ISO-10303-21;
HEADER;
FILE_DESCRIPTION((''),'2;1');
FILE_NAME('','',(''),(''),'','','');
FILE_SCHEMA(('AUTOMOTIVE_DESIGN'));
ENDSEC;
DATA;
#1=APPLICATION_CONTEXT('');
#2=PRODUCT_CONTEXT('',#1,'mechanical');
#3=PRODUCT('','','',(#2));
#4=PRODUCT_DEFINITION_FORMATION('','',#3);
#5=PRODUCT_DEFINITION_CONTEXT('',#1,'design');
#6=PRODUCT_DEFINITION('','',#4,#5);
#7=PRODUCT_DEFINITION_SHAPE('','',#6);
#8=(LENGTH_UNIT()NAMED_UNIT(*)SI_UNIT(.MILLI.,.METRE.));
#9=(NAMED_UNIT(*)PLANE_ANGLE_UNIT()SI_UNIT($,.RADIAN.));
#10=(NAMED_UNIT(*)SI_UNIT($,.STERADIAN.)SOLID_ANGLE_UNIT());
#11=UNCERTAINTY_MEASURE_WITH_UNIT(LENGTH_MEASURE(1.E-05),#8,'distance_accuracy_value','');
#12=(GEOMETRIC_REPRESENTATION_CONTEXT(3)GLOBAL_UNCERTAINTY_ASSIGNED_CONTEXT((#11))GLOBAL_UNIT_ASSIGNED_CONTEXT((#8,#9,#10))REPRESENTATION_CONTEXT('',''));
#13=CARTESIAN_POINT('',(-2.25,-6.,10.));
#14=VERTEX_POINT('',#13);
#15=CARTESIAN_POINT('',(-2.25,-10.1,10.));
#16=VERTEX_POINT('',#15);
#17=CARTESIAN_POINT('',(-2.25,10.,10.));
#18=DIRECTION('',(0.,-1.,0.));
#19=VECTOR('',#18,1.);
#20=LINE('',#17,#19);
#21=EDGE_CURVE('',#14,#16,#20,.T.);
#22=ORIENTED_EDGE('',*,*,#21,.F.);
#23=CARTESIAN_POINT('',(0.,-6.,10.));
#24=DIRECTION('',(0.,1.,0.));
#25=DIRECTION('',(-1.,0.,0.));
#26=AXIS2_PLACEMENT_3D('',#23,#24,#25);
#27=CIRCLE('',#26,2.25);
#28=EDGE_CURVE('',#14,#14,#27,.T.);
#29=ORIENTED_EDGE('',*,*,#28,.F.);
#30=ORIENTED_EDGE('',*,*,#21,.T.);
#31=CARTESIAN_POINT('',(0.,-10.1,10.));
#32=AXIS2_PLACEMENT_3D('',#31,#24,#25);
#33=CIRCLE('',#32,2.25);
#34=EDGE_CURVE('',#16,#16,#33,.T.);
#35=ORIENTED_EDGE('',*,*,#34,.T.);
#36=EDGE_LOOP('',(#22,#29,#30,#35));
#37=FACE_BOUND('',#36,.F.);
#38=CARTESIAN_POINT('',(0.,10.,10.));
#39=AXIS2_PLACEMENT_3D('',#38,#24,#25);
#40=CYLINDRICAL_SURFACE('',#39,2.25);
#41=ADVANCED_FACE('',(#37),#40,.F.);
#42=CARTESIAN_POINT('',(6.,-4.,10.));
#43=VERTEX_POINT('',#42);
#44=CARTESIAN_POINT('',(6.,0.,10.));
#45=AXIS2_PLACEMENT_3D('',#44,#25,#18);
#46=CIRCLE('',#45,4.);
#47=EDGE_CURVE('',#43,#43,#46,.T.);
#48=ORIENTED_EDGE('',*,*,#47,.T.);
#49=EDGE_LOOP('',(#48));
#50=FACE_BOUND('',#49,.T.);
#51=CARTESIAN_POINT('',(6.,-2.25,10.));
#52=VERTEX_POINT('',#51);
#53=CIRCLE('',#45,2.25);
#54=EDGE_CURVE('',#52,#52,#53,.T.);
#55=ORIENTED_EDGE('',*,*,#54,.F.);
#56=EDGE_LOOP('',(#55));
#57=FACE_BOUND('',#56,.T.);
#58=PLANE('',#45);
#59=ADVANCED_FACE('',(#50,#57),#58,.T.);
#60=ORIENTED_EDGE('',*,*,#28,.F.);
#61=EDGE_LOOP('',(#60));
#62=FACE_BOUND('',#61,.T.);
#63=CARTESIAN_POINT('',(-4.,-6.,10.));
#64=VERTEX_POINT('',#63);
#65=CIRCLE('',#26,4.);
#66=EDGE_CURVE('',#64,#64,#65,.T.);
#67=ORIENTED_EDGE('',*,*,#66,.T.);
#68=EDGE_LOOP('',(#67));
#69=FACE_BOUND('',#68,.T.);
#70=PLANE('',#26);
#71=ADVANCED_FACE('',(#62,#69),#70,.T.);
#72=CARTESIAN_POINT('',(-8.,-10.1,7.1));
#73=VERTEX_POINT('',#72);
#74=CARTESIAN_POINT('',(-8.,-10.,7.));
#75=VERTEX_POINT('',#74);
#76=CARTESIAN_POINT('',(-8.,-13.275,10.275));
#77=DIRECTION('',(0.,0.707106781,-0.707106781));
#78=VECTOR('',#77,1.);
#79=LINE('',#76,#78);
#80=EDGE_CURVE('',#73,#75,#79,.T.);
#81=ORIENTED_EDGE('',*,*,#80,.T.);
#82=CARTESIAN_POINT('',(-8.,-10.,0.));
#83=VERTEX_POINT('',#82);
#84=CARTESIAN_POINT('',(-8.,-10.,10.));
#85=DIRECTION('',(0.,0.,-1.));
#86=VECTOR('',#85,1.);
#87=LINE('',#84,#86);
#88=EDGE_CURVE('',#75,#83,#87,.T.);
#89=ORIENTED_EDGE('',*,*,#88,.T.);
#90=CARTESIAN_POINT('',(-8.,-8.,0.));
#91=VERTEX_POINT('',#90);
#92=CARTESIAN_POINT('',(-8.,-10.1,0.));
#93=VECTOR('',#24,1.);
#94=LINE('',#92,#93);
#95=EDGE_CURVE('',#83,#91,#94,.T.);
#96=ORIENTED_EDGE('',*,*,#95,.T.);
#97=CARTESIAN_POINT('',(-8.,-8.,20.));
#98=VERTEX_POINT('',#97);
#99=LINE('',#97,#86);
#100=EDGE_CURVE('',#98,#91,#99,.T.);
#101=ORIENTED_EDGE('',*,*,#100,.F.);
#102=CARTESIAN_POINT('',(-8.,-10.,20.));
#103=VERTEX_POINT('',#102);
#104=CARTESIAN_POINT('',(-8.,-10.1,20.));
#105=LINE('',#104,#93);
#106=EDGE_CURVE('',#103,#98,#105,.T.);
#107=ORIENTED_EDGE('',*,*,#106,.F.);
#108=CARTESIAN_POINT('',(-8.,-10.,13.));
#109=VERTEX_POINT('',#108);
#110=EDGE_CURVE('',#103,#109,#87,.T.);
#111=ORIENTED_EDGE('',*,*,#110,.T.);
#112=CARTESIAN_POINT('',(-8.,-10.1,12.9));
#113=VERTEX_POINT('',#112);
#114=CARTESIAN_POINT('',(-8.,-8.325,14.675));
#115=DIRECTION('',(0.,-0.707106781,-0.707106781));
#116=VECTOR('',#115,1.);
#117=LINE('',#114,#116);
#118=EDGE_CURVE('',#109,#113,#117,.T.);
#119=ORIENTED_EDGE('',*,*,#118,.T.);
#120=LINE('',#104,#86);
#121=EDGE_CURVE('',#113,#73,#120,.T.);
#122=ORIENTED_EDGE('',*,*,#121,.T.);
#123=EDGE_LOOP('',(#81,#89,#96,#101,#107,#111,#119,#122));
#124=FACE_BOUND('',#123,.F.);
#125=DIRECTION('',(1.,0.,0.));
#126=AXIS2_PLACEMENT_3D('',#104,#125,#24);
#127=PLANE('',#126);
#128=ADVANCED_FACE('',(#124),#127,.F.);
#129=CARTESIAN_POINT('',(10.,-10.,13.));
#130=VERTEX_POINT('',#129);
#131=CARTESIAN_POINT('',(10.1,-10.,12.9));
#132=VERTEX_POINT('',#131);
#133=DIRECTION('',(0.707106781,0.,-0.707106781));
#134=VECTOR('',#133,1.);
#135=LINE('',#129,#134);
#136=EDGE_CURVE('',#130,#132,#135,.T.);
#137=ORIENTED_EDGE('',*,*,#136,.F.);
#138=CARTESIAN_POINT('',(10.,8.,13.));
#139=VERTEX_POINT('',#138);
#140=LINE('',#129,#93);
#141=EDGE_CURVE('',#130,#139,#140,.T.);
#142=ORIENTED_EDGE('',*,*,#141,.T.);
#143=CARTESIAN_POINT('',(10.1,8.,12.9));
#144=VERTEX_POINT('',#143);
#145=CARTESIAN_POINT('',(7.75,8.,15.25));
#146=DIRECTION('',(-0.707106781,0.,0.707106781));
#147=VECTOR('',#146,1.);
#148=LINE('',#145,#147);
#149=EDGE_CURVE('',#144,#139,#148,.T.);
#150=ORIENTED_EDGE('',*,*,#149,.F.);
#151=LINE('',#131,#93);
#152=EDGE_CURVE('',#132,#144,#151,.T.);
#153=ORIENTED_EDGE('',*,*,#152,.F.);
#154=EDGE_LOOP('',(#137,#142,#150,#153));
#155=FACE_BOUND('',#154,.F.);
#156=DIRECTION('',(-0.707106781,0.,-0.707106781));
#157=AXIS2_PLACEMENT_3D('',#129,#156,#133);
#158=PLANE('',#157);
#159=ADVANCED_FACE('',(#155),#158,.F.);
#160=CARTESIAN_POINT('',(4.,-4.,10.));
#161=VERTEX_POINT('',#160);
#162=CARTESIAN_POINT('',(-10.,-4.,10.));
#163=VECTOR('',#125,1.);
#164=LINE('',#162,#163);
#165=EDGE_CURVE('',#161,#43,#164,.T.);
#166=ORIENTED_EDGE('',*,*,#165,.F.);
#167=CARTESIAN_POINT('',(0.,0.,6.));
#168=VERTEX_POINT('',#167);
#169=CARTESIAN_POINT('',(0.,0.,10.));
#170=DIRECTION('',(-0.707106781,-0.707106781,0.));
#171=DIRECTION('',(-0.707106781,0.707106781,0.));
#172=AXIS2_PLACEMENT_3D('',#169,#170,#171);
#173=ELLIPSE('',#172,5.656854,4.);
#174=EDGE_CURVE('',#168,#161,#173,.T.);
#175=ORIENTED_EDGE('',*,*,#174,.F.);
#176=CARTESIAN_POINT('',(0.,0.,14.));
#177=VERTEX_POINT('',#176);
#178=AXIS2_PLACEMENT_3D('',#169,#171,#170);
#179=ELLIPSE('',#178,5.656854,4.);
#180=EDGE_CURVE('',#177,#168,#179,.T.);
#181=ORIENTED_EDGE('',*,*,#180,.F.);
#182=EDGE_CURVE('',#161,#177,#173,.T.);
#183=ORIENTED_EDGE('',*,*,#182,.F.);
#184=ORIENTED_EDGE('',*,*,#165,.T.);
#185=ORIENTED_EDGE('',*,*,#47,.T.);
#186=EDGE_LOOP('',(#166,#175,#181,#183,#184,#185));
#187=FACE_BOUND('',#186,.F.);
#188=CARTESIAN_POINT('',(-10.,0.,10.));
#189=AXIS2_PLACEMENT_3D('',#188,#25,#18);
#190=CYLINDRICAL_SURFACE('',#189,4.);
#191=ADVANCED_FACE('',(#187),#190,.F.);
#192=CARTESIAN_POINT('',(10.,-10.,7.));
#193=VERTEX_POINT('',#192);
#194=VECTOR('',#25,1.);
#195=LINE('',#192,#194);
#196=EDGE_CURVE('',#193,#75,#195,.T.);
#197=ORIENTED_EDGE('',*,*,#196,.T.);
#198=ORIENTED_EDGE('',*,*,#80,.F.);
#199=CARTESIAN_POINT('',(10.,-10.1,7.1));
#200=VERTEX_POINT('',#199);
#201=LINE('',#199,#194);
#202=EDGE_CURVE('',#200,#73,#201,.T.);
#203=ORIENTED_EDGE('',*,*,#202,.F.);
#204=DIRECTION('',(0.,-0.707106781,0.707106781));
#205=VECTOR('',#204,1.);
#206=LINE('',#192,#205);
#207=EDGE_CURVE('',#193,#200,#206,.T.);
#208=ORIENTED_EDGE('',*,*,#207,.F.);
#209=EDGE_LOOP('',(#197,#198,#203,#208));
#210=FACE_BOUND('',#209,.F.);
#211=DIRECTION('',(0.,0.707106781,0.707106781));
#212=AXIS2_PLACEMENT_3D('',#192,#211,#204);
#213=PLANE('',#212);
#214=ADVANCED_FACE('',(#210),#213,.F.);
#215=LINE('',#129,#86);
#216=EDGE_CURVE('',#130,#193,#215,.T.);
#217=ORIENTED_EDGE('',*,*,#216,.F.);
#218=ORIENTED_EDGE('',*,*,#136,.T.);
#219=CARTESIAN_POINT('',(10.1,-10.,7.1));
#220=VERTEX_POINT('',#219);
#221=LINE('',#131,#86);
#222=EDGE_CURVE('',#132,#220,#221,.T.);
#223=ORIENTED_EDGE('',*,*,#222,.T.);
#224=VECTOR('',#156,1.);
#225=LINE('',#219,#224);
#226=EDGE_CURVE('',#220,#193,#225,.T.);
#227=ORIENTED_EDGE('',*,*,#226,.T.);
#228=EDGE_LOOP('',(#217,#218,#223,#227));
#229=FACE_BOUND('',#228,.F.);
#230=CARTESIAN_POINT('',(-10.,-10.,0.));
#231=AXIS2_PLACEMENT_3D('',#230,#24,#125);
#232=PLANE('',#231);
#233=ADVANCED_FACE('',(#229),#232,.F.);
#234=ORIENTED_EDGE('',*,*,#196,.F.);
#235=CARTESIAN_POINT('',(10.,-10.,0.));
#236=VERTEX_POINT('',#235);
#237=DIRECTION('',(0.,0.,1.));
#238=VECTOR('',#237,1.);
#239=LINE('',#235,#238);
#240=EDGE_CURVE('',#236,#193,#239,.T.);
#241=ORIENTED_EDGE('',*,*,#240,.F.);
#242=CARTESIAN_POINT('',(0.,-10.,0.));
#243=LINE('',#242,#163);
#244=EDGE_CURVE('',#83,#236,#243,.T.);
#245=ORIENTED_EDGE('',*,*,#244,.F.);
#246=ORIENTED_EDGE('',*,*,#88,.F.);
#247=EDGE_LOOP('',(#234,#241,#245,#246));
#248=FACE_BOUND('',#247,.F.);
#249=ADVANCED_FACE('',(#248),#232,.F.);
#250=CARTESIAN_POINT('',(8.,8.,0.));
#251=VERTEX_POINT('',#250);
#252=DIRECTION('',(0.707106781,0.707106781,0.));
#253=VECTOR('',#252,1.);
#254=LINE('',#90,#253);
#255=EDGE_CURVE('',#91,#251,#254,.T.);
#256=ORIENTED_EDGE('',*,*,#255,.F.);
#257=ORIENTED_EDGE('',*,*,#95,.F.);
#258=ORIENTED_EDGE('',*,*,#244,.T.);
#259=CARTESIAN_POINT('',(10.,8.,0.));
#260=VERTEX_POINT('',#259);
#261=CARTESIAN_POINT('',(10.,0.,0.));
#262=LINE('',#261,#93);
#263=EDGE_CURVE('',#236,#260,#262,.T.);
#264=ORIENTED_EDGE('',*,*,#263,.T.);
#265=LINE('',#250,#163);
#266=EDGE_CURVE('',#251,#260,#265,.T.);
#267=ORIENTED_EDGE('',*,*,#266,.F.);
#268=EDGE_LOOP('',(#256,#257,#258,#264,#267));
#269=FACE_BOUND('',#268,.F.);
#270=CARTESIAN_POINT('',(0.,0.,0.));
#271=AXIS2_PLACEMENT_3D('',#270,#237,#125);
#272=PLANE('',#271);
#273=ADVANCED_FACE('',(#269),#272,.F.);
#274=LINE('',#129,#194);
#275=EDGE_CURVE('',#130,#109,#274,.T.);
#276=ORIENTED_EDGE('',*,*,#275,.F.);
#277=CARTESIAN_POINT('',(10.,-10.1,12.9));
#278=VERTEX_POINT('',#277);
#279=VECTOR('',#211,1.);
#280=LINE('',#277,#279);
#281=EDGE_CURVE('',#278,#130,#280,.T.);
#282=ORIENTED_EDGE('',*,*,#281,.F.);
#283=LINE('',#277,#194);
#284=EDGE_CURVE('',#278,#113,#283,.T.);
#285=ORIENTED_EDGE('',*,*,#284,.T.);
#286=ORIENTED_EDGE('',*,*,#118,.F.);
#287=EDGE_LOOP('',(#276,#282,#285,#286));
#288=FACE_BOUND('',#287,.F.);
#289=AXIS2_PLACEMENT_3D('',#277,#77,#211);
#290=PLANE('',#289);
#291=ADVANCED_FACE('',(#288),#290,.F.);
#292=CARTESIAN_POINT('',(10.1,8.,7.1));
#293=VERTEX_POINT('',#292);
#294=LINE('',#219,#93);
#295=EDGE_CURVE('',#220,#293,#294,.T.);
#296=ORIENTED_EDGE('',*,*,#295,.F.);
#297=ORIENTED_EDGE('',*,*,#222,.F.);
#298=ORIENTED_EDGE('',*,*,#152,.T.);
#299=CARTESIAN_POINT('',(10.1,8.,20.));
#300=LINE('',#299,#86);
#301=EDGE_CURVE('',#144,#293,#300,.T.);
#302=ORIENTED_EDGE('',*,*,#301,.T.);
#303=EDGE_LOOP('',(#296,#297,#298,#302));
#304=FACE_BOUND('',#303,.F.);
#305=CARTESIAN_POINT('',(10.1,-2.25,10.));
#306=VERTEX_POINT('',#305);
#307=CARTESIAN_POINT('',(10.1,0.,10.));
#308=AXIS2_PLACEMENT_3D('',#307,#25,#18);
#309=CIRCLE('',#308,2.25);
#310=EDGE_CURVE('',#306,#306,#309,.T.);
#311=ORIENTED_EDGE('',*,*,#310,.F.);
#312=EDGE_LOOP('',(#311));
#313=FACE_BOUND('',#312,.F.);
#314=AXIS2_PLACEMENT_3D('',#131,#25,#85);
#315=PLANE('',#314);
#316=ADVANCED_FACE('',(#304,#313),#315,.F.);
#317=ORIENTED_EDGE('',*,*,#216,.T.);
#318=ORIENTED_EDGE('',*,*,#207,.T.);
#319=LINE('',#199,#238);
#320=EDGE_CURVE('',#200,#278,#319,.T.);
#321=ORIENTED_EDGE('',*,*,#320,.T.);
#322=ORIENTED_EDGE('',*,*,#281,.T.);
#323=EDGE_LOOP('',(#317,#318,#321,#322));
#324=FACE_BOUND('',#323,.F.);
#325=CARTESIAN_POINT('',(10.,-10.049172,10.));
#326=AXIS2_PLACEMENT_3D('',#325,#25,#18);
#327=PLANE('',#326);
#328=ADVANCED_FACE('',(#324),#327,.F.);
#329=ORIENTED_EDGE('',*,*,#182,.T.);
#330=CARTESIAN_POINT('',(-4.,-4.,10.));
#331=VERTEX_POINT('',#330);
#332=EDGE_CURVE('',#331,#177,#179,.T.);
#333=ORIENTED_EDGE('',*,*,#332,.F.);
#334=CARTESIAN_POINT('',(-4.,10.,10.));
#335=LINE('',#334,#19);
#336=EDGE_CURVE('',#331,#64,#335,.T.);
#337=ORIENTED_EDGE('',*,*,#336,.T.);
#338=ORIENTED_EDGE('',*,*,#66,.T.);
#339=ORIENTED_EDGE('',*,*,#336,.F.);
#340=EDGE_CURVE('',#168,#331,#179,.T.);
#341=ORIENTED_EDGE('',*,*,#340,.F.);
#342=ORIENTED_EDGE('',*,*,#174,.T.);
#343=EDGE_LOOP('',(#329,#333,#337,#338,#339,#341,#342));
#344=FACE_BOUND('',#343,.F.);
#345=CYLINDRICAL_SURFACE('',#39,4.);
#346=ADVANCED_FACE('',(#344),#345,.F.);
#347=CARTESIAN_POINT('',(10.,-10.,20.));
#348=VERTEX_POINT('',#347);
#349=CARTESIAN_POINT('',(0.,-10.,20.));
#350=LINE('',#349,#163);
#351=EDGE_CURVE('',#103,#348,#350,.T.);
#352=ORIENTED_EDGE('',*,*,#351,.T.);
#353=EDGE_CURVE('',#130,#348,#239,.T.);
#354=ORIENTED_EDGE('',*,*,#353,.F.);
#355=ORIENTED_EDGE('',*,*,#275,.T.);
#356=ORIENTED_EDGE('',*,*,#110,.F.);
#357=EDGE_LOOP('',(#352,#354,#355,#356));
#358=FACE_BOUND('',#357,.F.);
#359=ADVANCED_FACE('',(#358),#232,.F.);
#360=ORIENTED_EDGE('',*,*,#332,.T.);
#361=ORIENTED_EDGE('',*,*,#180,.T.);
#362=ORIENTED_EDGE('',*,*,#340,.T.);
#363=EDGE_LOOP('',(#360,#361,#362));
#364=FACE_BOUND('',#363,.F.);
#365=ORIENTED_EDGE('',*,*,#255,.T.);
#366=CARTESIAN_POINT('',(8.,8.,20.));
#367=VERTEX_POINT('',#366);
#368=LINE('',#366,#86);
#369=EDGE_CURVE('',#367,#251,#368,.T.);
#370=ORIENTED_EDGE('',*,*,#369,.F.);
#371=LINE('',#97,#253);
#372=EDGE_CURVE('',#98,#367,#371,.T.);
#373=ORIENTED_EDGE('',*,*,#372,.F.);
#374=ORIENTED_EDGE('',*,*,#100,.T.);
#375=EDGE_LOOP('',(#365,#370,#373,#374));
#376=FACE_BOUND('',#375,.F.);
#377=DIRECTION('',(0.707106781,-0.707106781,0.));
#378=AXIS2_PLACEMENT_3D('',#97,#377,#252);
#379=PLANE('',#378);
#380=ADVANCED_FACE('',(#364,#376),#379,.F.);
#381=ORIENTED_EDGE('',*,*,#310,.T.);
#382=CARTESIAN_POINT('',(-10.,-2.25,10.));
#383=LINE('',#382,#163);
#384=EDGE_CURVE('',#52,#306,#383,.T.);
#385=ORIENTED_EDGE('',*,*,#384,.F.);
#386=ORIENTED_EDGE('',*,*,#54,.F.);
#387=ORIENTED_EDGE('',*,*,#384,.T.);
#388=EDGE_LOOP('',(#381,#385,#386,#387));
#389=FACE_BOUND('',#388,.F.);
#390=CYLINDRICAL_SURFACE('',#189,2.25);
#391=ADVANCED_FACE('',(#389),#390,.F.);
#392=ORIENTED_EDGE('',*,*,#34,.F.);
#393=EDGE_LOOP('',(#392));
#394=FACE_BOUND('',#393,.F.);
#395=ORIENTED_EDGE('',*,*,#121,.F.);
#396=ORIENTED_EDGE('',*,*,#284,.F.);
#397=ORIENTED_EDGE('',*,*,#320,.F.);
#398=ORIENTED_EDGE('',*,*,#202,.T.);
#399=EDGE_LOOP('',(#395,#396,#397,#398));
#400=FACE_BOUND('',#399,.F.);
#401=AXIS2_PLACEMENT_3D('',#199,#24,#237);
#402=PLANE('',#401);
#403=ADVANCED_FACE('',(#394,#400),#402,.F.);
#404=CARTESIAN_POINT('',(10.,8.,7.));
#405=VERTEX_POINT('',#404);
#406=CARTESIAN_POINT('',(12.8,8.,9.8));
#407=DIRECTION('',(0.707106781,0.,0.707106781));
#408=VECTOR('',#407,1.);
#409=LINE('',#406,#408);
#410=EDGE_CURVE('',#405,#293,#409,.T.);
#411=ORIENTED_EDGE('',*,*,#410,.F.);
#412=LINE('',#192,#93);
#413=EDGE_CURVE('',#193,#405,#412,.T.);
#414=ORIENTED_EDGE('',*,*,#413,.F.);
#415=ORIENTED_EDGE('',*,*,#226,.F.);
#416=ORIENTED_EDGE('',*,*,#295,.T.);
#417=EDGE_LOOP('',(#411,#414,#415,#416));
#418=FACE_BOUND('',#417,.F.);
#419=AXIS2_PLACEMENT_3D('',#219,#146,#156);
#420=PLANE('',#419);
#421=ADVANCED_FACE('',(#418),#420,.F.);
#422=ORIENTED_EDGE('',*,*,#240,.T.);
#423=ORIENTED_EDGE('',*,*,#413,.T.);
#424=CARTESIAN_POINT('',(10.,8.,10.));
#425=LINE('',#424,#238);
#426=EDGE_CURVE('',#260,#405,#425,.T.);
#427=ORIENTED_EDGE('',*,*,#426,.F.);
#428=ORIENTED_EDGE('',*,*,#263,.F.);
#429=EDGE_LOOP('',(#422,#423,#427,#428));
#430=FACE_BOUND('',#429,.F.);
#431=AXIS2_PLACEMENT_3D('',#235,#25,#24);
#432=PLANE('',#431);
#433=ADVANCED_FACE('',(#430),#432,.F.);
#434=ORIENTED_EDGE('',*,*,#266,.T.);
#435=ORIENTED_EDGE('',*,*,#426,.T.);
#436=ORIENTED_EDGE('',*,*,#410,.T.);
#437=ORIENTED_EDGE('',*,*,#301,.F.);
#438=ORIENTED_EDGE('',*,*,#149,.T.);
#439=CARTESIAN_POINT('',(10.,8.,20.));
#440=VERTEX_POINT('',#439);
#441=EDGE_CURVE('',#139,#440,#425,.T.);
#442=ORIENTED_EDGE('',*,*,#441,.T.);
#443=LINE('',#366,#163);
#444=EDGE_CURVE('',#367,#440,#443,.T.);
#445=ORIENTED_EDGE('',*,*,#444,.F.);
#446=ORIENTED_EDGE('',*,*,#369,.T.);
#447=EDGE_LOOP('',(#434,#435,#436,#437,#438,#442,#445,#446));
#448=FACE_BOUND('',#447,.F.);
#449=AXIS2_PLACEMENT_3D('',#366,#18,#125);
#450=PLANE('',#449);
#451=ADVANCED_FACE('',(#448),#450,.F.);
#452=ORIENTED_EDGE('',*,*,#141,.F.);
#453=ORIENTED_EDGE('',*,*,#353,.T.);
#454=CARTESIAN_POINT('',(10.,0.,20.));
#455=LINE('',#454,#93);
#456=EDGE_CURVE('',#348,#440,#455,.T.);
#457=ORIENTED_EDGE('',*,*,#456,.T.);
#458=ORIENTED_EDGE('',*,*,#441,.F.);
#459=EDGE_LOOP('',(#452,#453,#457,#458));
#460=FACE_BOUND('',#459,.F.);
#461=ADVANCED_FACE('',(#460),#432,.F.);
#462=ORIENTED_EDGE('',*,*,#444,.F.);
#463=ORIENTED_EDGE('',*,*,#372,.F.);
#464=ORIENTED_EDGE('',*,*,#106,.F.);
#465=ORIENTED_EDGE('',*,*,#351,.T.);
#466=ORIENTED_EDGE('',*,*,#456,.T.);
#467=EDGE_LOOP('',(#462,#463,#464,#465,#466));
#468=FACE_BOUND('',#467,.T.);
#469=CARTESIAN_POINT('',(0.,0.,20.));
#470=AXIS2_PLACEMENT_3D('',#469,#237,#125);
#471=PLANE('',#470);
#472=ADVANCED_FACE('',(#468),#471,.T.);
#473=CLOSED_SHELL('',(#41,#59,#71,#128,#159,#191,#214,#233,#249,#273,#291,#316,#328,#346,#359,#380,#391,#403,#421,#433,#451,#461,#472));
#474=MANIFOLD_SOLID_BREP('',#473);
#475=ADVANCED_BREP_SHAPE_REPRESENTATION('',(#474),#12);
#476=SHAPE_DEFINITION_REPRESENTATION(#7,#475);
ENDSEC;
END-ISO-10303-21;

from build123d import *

# Parameters (mm, degrees)
SKETCH_W        = 20
SKETCH_H        = 20
PAD_DEPTH       = 20
PAD001_DEPTH    = 20
PAD002_DEPTH    = 20
SKETCH004_R     = 2.25
POCKET001_DEPTH = 20.1
SKETCH005_R     = 4
POCKET002_DEPTH = 16
SKETCH006_R     = 2.25
POCKET003_DEPTH = 20.1
SKETCH007_R     = 4
POCKET004_DEPTH = 16
POCKET_DEPTH    = 20


with BuildPart() as part:
    # Sketch → Pad (new body)
    with BuildSketch(Plane.XY):
        Rectangle(SKETCH_W, SKETCH_H)
    extrude(amount=PAD_DEPTH)

    # Sketch001 (on DatumPlane) → Pad001 (join)
    with BuildSketch(Plane.XZ.offset(10)):
        Polygon((10, 13), (10.1, 12.9), (10.1, 7.1), (10, 7), align=None)
    extrude(amount=-PAD001_DEPTH)

    # Sketch002 (on DatumPlane) → Pad002 (join)
    with BuildSketch(Plane.YZ.offset(10)):
        Polygon((-10, 13), (-10, 7), (-10.1, 7.1), (-10.1, 12.9), align=None)
    extrude(amount=-PAD002_DEPTH)

    # Sketch004 (on DatumPlane) → Pocket001 (cut)
    with BuildSketch(Plane(origin=(-10, 0, 0), x_dir=(0, -1, 0), z_dir=(-1, 0, 0))):
        with Locations((20, 10)):
            Circle(SKETCH004_R)
        with Locations((0, 10)):
            Circle(SKETCH004_R)
    extrude(amount=-POCKET001_DEPTH, mode=Mode.SUBTRACT)

    # Sketch005 (on DatumPlane) → Pocket002 (cut)
    with BuildSketch(Plane(origin=(-10, 0, 0), x_dir=(0, -1, 0), z_dir=(-1, 0, 0))):
        with Locations((20, 10)):
            Circle(SKETCH005_R)
        with Locations((0, 10)):
            Circle(SKETCH005_R)
    extrude(amount=-POCKET002_DEPTH, mode=Mode.SUBTRACT)

    # Sketch006 (on DatumPlane) → Pocket003 (cut)
    with BuildSketch(Plane(origin=(0, 10, 0), x_dir=(-1, 0, 0), z_dir=(0, 1, 0))):
        with Locations((0, 10)):
            Circle(SKETCH006_R)
        with Locations((20, 10)):
            Circle(SKETCH006_R)
    extrude(amount=-POCKET003_DEPTH, mode=Mode.SUBTRACT)

    # Sketch007 (on DatumPlane) → Pocket004 (cut)
    with BuildSketch(Plane(origin=(0, 10, 0), x_dir=(-1, 0, 0), z_dir=(0, 1, 0))):
        with Locations((0, 10)):
            Circle(SKETCH007_R)
        with Locations((20, 10)):
            Circle(SKETCH007_R)
    extrude(amount=-POCKET004_DEPTH, mode=Mode.SUBTRACT)

    # Sketch008 (on DatumPlane) → Pocket (cut)
    with BuildSketch(Plane.XY.offset(20)):
        Polygon((10.1, 10.1), (-10.1, 10.1), (-10.1, -10.1), (-8, -10.1), (-8, -8), (8, 8), (10.1, 8), align=None)
    extrude(amount=-POCKET_DEPTH, mode=Mode.SUBTRACT)


solid = part.part
